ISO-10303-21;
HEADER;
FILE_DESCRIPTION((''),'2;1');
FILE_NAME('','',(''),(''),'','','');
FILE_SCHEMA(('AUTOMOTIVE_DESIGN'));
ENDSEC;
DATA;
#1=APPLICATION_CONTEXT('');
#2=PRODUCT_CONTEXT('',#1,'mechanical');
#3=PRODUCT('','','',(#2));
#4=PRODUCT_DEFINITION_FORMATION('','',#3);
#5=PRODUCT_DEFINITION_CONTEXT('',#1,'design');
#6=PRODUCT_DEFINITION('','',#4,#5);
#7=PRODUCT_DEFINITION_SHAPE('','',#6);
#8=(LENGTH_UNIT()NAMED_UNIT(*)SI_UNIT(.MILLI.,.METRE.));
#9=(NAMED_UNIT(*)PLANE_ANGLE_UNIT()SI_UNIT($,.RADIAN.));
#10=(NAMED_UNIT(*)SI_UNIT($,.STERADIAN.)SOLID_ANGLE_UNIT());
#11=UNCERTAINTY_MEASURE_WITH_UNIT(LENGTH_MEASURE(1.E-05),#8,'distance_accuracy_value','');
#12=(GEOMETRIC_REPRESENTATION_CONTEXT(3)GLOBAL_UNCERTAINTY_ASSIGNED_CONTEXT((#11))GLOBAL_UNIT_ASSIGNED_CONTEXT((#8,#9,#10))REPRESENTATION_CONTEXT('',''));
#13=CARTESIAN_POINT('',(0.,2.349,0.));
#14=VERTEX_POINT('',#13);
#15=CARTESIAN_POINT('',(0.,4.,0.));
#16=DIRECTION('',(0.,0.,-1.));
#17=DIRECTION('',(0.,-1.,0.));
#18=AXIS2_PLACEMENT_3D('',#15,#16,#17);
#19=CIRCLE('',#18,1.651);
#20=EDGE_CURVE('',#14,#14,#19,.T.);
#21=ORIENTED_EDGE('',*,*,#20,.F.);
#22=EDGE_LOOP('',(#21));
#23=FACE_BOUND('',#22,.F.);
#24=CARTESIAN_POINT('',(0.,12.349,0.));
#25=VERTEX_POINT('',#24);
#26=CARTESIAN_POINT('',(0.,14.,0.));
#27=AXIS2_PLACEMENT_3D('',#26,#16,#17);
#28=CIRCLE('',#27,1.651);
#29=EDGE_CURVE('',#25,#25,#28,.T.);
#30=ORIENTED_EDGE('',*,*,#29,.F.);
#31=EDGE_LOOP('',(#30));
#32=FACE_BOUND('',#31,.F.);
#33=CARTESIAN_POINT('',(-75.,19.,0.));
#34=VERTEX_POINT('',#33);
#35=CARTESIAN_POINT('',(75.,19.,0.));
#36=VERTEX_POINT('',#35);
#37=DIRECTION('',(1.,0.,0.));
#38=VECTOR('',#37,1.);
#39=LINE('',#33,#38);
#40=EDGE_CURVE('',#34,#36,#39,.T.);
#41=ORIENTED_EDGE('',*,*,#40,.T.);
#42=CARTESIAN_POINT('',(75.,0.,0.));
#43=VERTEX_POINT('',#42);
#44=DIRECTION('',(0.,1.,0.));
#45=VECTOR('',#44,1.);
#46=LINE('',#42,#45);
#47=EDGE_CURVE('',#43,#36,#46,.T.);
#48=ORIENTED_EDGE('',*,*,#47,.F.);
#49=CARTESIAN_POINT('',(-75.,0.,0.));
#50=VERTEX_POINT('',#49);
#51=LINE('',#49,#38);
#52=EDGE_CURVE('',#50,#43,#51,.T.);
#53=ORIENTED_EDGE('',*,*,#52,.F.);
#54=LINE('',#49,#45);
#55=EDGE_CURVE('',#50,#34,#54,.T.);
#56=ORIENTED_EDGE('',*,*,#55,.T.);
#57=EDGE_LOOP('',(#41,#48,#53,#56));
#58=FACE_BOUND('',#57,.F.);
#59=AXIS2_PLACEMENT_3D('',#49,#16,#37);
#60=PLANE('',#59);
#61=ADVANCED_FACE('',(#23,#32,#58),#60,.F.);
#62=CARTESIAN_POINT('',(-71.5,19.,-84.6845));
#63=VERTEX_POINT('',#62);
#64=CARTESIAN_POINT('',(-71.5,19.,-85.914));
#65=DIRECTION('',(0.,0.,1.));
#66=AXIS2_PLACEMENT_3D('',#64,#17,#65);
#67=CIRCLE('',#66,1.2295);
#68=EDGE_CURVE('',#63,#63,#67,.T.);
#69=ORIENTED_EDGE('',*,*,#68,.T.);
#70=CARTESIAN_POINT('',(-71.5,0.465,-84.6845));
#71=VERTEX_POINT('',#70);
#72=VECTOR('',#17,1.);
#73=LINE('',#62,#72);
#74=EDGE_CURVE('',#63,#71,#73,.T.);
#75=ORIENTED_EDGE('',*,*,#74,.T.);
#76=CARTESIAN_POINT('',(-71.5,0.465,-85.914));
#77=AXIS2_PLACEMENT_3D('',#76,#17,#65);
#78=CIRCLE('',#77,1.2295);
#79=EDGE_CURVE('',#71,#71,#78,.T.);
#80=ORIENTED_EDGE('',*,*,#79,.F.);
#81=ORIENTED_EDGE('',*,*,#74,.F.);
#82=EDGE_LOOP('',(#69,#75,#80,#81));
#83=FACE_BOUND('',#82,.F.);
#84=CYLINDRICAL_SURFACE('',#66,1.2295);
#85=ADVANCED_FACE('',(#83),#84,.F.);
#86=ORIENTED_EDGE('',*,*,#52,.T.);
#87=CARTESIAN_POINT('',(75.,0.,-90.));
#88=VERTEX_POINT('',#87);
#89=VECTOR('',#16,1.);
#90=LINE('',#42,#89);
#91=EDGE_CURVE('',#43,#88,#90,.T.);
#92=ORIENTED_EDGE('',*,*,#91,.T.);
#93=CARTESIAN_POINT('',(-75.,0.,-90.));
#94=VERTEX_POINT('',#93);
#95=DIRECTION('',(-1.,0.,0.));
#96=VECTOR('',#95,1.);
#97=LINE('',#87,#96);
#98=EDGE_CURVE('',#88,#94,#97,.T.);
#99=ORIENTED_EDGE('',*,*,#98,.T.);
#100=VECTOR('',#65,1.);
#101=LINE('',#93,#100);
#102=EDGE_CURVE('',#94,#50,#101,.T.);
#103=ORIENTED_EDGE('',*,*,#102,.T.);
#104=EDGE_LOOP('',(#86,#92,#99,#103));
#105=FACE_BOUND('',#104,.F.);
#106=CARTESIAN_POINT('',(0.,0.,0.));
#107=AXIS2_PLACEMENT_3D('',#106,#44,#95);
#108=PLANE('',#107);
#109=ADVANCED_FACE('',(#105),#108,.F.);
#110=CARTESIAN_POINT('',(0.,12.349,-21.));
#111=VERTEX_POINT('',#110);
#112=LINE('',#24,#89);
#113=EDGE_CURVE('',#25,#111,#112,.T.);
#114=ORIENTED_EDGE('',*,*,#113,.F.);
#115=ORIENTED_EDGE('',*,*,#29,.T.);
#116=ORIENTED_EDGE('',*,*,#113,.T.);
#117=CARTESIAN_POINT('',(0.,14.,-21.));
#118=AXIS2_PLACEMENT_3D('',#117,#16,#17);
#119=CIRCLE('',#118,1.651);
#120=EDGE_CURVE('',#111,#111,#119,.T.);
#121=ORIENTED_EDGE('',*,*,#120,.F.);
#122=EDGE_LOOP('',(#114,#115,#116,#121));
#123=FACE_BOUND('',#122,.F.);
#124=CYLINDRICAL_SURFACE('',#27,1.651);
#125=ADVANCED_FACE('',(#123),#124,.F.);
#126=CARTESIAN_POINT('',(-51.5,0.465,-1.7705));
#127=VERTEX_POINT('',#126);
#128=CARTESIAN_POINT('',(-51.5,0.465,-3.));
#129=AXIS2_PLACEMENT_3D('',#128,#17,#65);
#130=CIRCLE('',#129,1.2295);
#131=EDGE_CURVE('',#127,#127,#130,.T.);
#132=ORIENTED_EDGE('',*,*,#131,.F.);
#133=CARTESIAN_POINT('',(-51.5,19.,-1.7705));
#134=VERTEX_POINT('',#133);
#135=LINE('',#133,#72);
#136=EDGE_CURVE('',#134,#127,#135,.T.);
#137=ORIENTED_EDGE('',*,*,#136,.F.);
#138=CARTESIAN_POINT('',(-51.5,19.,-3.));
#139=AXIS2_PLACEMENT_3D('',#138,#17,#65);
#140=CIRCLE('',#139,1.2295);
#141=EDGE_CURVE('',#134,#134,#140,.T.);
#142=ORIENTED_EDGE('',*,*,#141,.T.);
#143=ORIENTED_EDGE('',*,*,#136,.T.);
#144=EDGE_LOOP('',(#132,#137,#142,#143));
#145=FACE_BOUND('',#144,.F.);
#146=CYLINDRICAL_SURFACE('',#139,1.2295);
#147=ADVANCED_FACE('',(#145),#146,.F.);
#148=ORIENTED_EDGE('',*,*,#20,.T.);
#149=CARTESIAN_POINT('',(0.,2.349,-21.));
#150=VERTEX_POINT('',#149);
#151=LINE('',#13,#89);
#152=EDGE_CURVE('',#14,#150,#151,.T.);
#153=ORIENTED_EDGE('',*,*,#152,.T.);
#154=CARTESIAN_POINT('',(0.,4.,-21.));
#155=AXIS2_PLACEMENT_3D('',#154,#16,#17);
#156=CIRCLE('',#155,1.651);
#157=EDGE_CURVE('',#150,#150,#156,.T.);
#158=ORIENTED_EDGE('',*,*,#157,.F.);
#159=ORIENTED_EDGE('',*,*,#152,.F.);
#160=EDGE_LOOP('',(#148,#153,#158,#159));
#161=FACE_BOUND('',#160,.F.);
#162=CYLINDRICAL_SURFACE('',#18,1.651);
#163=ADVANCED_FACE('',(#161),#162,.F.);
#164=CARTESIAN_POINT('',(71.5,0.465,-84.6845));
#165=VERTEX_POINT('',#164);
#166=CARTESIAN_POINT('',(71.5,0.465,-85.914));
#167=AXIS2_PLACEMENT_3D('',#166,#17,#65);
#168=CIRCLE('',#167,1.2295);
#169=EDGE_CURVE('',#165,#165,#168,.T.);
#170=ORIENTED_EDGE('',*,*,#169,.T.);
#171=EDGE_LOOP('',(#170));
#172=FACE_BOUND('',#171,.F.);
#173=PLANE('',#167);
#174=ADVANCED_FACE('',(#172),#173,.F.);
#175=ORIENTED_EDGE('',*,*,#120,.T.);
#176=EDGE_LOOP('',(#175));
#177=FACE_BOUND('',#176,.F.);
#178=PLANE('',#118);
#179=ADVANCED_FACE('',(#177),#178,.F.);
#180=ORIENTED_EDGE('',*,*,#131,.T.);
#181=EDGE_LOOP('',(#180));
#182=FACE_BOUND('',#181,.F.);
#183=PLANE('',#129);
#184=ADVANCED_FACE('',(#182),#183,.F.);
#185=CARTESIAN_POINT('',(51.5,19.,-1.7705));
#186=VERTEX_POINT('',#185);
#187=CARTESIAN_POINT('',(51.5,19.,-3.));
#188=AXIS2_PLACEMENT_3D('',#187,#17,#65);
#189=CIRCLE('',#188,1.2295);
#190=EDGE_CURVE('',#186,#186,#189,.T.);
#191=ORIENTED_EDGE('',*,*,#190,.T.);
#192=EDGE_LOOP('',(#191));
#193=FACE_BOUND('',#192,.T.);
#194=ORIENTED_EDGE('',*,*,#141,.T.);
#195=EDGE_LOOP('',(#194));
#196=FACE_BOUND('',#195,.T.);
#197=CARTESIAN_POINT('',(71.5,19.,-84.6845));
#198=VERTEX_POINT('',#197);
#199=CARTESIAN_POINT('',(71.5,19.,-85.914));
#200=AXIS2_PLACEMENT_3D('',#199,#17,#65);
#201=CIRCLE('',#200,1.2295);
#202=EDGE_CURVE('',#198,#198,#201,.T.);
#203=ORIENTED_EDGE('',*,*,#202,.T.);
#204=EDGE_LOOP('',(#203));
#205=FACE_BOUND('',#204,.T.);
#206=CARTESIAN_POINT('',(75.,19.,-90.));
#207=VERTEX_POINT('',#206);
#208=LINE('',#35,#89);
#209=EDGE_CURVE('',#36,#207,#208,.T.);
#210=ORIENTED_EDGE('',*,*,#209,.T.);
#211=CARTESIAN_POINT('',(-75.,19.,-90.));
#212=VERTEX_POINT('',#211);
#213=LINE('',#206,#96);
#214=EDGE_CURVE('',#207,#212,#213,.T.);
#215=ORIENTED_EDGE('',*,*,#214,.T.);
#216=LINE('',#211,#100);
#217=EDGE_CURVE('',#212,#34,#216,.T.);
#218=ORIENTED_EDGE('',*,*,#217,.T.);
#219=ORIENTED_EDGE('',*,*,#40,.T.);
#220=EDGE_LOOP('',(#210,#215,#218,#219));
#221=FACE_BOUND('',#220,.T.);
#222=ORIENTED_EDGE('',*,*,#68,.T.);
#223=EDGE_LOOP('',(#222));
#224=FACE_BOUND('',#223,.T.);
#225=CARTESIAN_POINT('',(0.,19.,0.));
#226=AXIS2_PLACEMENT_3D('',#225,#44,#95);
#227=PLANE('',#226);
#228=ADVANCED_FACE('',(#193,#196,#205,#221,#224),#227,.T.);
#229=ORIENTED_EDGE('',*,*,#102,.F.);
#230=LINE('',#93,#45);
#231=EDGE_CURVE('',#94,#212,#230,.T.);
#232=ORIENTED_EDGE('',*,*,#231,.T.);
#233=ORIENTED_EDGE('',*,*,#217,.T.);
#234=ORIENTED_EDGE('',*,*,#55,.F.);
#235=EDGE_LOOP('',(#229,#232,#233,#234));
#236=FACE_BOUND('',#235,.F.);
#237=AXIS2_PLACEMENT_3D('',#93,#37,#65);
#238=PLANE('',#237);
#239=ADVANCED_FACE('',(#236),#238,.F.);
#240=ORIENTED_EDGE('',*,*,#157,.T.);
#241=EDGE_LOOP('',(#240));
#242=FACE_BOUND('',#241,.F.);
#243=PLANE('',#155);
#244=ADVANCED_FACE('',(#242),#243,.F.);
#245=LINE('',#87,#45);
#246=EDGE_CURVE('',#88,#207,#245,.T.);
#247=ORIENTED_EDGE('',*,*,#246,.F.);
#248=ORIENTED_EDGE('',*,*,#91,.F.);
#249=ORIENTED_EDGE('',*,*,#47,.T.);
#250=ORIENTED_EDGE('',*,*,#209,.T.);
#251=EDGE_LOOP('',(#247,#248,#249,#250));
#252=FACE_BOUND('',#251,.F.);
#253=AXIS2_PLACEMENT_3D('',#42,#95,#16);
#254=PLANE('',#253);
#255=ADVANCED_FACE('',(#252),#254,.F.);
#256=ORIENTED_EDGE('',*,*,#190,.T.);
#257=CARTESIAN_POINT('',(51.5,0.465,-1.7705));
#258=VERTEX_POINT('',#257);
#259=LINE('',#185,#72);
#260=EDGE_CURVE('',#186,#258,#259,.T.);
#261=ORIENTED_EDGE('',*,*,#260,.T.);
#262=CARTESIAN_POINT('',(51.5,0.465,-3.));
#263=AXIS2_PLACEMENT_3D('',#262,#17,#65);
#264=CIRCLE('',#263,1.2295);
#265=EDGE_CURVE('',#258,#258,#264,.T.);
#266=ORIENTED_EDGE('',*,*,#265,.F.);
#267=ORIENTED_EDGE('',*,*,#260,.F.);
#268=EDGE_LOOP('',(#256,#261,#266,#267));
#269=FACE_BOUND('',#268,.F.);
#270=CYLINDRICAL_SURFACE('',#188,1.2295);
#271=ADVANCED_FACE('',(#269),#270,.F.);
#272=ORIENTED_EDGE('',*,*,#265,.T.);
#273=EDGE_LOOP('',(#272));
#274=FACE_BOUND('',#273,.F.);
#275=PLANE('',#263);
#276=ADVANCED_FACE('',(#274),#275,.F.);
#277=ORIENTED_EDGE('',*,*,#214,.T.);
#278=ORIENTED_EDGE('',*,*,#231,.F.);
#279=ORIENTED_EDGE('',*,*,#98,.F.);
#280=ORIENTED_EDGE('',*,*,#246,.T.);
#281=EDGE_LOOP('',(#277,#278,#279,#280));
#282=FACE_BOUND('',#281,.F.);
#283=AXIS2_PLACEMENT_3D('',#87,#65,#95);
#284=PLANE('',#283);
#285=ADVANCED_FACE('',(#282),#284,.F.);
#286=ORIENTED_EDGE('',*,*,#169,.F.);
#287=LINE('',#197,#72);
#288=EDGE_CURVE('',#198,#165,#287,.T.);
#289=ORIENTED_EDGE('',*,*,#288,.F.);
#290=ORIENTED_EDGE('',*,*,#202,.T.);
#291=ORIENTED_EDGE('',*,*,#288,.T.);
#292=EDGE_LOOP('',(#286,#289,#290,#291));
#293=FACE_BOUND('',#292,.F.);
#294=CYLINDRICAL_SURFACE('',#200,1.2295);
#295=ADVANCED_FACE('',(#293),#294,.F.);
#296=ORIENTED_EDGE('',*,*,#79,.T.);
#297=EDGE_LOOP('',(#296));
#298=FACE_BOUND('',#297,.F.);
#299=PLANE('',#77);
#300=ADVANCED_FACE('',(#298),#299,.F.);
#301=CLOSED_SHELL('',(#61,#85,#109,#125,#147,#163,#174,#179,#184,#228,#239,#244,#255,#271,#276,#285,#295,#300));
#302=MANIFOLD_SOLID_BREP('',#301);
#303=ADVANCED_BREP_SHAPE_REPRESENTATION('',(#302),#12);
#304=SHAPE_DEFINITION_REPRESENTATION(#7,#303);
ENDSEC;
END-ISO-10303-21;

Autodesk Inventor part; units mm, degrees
ref_plane "YZ Plane" through (0, 0, 0) normal (1, 0, 0) x (0, 1, 0)
ref_plane "XZ Plane" through (0, 0, 0) normal (0, 1, 0) x (-1, 0, 0)
ref_plane "XY Plane" through (0, 0, 0) normal (0, 0, 1) x (1, 0, 0)
sketch "Sketch1" plane through (0, 0, 0) normal (0, 1, 0) x (-1, 0, 0)
  line L0 (75, 0) -> (-75, 0)
  line L1 (-75, 0) -> (-75, -90)
  line L2 (-75, -90) -> (75, -90)
  line L3 (75, -90) -> (75, 0)
  point P0 (0, 0)
  point P1 (0, 0)
  dimension "d0" = 150
  dimension "d1" = 90
extrude "Extrusion1" add sketch "Sketch1" along normal blind 19
sketch "Sketch2" plane through (-75, 0, 0) normal (0, 0, 1) x (1, 0, 0)
  line L0 (0, 0) -> (150, 0) projected
  line L1 (150, 0) -> (150, 19) projected
  line L2 (0, 19) -> (150, 19) projected
  line L3 (0, 0) -> (0, 19) projected
  point P0 (75, 0)
  point P1 (75, 4)
  point P2 (75, 14)
  dimension "d4" = 4
  dimension "d5" = 14
  dimension "d6" = 75
  dimension "d7" = 75
hole "Hole1" at (0, 4, 0) at (0, 14, 0) direction (0, 0, -1) diameter 3.302 depth 21 thread size "8-32 UNC" class "2B" standard "ANSI Unified Screw Threads"
sketch "Sketch3" plane through (0, 19, 0) normal (0, 1, 0) x (1, 0, 0)
  line L0 (-75, 0) -> (75, 0) projected
  line L1 (75, 0) -> (75, 90) projected
  line L2 (75, 90) -> (-75, 90) projected
  line L3 (-75, 90) -> (-75, 0) projected
  point P0 (0, 0)
  point P1 (-71.5, 85.914)
  point P2 (71.5, 85.914)
  point P3 (51.5, 3)
  point P4 (-51.5, 3)
  dimension "d15" = 143
  dimension "d16" = 4.086
  dimension "d17" = 3.5
  dimension "d18" = 4.086
  dimension "d20" = 23.5
  dimension "d21" = 3
  dimension "d22" = 3
  dimension "d39" = 23.5
hole "Hole2" at (-71.5, 19, -85.914) at (71.5, 19, -85.914) at (51.5, 19, -3) at (-51.5, 19, -3) direction (0, -1, 0) diameter 2.459 depth 18.535 thread size "M3x0.5" class "6H" standard "ANSI Metric M Profile"
properties part number "Bas"
